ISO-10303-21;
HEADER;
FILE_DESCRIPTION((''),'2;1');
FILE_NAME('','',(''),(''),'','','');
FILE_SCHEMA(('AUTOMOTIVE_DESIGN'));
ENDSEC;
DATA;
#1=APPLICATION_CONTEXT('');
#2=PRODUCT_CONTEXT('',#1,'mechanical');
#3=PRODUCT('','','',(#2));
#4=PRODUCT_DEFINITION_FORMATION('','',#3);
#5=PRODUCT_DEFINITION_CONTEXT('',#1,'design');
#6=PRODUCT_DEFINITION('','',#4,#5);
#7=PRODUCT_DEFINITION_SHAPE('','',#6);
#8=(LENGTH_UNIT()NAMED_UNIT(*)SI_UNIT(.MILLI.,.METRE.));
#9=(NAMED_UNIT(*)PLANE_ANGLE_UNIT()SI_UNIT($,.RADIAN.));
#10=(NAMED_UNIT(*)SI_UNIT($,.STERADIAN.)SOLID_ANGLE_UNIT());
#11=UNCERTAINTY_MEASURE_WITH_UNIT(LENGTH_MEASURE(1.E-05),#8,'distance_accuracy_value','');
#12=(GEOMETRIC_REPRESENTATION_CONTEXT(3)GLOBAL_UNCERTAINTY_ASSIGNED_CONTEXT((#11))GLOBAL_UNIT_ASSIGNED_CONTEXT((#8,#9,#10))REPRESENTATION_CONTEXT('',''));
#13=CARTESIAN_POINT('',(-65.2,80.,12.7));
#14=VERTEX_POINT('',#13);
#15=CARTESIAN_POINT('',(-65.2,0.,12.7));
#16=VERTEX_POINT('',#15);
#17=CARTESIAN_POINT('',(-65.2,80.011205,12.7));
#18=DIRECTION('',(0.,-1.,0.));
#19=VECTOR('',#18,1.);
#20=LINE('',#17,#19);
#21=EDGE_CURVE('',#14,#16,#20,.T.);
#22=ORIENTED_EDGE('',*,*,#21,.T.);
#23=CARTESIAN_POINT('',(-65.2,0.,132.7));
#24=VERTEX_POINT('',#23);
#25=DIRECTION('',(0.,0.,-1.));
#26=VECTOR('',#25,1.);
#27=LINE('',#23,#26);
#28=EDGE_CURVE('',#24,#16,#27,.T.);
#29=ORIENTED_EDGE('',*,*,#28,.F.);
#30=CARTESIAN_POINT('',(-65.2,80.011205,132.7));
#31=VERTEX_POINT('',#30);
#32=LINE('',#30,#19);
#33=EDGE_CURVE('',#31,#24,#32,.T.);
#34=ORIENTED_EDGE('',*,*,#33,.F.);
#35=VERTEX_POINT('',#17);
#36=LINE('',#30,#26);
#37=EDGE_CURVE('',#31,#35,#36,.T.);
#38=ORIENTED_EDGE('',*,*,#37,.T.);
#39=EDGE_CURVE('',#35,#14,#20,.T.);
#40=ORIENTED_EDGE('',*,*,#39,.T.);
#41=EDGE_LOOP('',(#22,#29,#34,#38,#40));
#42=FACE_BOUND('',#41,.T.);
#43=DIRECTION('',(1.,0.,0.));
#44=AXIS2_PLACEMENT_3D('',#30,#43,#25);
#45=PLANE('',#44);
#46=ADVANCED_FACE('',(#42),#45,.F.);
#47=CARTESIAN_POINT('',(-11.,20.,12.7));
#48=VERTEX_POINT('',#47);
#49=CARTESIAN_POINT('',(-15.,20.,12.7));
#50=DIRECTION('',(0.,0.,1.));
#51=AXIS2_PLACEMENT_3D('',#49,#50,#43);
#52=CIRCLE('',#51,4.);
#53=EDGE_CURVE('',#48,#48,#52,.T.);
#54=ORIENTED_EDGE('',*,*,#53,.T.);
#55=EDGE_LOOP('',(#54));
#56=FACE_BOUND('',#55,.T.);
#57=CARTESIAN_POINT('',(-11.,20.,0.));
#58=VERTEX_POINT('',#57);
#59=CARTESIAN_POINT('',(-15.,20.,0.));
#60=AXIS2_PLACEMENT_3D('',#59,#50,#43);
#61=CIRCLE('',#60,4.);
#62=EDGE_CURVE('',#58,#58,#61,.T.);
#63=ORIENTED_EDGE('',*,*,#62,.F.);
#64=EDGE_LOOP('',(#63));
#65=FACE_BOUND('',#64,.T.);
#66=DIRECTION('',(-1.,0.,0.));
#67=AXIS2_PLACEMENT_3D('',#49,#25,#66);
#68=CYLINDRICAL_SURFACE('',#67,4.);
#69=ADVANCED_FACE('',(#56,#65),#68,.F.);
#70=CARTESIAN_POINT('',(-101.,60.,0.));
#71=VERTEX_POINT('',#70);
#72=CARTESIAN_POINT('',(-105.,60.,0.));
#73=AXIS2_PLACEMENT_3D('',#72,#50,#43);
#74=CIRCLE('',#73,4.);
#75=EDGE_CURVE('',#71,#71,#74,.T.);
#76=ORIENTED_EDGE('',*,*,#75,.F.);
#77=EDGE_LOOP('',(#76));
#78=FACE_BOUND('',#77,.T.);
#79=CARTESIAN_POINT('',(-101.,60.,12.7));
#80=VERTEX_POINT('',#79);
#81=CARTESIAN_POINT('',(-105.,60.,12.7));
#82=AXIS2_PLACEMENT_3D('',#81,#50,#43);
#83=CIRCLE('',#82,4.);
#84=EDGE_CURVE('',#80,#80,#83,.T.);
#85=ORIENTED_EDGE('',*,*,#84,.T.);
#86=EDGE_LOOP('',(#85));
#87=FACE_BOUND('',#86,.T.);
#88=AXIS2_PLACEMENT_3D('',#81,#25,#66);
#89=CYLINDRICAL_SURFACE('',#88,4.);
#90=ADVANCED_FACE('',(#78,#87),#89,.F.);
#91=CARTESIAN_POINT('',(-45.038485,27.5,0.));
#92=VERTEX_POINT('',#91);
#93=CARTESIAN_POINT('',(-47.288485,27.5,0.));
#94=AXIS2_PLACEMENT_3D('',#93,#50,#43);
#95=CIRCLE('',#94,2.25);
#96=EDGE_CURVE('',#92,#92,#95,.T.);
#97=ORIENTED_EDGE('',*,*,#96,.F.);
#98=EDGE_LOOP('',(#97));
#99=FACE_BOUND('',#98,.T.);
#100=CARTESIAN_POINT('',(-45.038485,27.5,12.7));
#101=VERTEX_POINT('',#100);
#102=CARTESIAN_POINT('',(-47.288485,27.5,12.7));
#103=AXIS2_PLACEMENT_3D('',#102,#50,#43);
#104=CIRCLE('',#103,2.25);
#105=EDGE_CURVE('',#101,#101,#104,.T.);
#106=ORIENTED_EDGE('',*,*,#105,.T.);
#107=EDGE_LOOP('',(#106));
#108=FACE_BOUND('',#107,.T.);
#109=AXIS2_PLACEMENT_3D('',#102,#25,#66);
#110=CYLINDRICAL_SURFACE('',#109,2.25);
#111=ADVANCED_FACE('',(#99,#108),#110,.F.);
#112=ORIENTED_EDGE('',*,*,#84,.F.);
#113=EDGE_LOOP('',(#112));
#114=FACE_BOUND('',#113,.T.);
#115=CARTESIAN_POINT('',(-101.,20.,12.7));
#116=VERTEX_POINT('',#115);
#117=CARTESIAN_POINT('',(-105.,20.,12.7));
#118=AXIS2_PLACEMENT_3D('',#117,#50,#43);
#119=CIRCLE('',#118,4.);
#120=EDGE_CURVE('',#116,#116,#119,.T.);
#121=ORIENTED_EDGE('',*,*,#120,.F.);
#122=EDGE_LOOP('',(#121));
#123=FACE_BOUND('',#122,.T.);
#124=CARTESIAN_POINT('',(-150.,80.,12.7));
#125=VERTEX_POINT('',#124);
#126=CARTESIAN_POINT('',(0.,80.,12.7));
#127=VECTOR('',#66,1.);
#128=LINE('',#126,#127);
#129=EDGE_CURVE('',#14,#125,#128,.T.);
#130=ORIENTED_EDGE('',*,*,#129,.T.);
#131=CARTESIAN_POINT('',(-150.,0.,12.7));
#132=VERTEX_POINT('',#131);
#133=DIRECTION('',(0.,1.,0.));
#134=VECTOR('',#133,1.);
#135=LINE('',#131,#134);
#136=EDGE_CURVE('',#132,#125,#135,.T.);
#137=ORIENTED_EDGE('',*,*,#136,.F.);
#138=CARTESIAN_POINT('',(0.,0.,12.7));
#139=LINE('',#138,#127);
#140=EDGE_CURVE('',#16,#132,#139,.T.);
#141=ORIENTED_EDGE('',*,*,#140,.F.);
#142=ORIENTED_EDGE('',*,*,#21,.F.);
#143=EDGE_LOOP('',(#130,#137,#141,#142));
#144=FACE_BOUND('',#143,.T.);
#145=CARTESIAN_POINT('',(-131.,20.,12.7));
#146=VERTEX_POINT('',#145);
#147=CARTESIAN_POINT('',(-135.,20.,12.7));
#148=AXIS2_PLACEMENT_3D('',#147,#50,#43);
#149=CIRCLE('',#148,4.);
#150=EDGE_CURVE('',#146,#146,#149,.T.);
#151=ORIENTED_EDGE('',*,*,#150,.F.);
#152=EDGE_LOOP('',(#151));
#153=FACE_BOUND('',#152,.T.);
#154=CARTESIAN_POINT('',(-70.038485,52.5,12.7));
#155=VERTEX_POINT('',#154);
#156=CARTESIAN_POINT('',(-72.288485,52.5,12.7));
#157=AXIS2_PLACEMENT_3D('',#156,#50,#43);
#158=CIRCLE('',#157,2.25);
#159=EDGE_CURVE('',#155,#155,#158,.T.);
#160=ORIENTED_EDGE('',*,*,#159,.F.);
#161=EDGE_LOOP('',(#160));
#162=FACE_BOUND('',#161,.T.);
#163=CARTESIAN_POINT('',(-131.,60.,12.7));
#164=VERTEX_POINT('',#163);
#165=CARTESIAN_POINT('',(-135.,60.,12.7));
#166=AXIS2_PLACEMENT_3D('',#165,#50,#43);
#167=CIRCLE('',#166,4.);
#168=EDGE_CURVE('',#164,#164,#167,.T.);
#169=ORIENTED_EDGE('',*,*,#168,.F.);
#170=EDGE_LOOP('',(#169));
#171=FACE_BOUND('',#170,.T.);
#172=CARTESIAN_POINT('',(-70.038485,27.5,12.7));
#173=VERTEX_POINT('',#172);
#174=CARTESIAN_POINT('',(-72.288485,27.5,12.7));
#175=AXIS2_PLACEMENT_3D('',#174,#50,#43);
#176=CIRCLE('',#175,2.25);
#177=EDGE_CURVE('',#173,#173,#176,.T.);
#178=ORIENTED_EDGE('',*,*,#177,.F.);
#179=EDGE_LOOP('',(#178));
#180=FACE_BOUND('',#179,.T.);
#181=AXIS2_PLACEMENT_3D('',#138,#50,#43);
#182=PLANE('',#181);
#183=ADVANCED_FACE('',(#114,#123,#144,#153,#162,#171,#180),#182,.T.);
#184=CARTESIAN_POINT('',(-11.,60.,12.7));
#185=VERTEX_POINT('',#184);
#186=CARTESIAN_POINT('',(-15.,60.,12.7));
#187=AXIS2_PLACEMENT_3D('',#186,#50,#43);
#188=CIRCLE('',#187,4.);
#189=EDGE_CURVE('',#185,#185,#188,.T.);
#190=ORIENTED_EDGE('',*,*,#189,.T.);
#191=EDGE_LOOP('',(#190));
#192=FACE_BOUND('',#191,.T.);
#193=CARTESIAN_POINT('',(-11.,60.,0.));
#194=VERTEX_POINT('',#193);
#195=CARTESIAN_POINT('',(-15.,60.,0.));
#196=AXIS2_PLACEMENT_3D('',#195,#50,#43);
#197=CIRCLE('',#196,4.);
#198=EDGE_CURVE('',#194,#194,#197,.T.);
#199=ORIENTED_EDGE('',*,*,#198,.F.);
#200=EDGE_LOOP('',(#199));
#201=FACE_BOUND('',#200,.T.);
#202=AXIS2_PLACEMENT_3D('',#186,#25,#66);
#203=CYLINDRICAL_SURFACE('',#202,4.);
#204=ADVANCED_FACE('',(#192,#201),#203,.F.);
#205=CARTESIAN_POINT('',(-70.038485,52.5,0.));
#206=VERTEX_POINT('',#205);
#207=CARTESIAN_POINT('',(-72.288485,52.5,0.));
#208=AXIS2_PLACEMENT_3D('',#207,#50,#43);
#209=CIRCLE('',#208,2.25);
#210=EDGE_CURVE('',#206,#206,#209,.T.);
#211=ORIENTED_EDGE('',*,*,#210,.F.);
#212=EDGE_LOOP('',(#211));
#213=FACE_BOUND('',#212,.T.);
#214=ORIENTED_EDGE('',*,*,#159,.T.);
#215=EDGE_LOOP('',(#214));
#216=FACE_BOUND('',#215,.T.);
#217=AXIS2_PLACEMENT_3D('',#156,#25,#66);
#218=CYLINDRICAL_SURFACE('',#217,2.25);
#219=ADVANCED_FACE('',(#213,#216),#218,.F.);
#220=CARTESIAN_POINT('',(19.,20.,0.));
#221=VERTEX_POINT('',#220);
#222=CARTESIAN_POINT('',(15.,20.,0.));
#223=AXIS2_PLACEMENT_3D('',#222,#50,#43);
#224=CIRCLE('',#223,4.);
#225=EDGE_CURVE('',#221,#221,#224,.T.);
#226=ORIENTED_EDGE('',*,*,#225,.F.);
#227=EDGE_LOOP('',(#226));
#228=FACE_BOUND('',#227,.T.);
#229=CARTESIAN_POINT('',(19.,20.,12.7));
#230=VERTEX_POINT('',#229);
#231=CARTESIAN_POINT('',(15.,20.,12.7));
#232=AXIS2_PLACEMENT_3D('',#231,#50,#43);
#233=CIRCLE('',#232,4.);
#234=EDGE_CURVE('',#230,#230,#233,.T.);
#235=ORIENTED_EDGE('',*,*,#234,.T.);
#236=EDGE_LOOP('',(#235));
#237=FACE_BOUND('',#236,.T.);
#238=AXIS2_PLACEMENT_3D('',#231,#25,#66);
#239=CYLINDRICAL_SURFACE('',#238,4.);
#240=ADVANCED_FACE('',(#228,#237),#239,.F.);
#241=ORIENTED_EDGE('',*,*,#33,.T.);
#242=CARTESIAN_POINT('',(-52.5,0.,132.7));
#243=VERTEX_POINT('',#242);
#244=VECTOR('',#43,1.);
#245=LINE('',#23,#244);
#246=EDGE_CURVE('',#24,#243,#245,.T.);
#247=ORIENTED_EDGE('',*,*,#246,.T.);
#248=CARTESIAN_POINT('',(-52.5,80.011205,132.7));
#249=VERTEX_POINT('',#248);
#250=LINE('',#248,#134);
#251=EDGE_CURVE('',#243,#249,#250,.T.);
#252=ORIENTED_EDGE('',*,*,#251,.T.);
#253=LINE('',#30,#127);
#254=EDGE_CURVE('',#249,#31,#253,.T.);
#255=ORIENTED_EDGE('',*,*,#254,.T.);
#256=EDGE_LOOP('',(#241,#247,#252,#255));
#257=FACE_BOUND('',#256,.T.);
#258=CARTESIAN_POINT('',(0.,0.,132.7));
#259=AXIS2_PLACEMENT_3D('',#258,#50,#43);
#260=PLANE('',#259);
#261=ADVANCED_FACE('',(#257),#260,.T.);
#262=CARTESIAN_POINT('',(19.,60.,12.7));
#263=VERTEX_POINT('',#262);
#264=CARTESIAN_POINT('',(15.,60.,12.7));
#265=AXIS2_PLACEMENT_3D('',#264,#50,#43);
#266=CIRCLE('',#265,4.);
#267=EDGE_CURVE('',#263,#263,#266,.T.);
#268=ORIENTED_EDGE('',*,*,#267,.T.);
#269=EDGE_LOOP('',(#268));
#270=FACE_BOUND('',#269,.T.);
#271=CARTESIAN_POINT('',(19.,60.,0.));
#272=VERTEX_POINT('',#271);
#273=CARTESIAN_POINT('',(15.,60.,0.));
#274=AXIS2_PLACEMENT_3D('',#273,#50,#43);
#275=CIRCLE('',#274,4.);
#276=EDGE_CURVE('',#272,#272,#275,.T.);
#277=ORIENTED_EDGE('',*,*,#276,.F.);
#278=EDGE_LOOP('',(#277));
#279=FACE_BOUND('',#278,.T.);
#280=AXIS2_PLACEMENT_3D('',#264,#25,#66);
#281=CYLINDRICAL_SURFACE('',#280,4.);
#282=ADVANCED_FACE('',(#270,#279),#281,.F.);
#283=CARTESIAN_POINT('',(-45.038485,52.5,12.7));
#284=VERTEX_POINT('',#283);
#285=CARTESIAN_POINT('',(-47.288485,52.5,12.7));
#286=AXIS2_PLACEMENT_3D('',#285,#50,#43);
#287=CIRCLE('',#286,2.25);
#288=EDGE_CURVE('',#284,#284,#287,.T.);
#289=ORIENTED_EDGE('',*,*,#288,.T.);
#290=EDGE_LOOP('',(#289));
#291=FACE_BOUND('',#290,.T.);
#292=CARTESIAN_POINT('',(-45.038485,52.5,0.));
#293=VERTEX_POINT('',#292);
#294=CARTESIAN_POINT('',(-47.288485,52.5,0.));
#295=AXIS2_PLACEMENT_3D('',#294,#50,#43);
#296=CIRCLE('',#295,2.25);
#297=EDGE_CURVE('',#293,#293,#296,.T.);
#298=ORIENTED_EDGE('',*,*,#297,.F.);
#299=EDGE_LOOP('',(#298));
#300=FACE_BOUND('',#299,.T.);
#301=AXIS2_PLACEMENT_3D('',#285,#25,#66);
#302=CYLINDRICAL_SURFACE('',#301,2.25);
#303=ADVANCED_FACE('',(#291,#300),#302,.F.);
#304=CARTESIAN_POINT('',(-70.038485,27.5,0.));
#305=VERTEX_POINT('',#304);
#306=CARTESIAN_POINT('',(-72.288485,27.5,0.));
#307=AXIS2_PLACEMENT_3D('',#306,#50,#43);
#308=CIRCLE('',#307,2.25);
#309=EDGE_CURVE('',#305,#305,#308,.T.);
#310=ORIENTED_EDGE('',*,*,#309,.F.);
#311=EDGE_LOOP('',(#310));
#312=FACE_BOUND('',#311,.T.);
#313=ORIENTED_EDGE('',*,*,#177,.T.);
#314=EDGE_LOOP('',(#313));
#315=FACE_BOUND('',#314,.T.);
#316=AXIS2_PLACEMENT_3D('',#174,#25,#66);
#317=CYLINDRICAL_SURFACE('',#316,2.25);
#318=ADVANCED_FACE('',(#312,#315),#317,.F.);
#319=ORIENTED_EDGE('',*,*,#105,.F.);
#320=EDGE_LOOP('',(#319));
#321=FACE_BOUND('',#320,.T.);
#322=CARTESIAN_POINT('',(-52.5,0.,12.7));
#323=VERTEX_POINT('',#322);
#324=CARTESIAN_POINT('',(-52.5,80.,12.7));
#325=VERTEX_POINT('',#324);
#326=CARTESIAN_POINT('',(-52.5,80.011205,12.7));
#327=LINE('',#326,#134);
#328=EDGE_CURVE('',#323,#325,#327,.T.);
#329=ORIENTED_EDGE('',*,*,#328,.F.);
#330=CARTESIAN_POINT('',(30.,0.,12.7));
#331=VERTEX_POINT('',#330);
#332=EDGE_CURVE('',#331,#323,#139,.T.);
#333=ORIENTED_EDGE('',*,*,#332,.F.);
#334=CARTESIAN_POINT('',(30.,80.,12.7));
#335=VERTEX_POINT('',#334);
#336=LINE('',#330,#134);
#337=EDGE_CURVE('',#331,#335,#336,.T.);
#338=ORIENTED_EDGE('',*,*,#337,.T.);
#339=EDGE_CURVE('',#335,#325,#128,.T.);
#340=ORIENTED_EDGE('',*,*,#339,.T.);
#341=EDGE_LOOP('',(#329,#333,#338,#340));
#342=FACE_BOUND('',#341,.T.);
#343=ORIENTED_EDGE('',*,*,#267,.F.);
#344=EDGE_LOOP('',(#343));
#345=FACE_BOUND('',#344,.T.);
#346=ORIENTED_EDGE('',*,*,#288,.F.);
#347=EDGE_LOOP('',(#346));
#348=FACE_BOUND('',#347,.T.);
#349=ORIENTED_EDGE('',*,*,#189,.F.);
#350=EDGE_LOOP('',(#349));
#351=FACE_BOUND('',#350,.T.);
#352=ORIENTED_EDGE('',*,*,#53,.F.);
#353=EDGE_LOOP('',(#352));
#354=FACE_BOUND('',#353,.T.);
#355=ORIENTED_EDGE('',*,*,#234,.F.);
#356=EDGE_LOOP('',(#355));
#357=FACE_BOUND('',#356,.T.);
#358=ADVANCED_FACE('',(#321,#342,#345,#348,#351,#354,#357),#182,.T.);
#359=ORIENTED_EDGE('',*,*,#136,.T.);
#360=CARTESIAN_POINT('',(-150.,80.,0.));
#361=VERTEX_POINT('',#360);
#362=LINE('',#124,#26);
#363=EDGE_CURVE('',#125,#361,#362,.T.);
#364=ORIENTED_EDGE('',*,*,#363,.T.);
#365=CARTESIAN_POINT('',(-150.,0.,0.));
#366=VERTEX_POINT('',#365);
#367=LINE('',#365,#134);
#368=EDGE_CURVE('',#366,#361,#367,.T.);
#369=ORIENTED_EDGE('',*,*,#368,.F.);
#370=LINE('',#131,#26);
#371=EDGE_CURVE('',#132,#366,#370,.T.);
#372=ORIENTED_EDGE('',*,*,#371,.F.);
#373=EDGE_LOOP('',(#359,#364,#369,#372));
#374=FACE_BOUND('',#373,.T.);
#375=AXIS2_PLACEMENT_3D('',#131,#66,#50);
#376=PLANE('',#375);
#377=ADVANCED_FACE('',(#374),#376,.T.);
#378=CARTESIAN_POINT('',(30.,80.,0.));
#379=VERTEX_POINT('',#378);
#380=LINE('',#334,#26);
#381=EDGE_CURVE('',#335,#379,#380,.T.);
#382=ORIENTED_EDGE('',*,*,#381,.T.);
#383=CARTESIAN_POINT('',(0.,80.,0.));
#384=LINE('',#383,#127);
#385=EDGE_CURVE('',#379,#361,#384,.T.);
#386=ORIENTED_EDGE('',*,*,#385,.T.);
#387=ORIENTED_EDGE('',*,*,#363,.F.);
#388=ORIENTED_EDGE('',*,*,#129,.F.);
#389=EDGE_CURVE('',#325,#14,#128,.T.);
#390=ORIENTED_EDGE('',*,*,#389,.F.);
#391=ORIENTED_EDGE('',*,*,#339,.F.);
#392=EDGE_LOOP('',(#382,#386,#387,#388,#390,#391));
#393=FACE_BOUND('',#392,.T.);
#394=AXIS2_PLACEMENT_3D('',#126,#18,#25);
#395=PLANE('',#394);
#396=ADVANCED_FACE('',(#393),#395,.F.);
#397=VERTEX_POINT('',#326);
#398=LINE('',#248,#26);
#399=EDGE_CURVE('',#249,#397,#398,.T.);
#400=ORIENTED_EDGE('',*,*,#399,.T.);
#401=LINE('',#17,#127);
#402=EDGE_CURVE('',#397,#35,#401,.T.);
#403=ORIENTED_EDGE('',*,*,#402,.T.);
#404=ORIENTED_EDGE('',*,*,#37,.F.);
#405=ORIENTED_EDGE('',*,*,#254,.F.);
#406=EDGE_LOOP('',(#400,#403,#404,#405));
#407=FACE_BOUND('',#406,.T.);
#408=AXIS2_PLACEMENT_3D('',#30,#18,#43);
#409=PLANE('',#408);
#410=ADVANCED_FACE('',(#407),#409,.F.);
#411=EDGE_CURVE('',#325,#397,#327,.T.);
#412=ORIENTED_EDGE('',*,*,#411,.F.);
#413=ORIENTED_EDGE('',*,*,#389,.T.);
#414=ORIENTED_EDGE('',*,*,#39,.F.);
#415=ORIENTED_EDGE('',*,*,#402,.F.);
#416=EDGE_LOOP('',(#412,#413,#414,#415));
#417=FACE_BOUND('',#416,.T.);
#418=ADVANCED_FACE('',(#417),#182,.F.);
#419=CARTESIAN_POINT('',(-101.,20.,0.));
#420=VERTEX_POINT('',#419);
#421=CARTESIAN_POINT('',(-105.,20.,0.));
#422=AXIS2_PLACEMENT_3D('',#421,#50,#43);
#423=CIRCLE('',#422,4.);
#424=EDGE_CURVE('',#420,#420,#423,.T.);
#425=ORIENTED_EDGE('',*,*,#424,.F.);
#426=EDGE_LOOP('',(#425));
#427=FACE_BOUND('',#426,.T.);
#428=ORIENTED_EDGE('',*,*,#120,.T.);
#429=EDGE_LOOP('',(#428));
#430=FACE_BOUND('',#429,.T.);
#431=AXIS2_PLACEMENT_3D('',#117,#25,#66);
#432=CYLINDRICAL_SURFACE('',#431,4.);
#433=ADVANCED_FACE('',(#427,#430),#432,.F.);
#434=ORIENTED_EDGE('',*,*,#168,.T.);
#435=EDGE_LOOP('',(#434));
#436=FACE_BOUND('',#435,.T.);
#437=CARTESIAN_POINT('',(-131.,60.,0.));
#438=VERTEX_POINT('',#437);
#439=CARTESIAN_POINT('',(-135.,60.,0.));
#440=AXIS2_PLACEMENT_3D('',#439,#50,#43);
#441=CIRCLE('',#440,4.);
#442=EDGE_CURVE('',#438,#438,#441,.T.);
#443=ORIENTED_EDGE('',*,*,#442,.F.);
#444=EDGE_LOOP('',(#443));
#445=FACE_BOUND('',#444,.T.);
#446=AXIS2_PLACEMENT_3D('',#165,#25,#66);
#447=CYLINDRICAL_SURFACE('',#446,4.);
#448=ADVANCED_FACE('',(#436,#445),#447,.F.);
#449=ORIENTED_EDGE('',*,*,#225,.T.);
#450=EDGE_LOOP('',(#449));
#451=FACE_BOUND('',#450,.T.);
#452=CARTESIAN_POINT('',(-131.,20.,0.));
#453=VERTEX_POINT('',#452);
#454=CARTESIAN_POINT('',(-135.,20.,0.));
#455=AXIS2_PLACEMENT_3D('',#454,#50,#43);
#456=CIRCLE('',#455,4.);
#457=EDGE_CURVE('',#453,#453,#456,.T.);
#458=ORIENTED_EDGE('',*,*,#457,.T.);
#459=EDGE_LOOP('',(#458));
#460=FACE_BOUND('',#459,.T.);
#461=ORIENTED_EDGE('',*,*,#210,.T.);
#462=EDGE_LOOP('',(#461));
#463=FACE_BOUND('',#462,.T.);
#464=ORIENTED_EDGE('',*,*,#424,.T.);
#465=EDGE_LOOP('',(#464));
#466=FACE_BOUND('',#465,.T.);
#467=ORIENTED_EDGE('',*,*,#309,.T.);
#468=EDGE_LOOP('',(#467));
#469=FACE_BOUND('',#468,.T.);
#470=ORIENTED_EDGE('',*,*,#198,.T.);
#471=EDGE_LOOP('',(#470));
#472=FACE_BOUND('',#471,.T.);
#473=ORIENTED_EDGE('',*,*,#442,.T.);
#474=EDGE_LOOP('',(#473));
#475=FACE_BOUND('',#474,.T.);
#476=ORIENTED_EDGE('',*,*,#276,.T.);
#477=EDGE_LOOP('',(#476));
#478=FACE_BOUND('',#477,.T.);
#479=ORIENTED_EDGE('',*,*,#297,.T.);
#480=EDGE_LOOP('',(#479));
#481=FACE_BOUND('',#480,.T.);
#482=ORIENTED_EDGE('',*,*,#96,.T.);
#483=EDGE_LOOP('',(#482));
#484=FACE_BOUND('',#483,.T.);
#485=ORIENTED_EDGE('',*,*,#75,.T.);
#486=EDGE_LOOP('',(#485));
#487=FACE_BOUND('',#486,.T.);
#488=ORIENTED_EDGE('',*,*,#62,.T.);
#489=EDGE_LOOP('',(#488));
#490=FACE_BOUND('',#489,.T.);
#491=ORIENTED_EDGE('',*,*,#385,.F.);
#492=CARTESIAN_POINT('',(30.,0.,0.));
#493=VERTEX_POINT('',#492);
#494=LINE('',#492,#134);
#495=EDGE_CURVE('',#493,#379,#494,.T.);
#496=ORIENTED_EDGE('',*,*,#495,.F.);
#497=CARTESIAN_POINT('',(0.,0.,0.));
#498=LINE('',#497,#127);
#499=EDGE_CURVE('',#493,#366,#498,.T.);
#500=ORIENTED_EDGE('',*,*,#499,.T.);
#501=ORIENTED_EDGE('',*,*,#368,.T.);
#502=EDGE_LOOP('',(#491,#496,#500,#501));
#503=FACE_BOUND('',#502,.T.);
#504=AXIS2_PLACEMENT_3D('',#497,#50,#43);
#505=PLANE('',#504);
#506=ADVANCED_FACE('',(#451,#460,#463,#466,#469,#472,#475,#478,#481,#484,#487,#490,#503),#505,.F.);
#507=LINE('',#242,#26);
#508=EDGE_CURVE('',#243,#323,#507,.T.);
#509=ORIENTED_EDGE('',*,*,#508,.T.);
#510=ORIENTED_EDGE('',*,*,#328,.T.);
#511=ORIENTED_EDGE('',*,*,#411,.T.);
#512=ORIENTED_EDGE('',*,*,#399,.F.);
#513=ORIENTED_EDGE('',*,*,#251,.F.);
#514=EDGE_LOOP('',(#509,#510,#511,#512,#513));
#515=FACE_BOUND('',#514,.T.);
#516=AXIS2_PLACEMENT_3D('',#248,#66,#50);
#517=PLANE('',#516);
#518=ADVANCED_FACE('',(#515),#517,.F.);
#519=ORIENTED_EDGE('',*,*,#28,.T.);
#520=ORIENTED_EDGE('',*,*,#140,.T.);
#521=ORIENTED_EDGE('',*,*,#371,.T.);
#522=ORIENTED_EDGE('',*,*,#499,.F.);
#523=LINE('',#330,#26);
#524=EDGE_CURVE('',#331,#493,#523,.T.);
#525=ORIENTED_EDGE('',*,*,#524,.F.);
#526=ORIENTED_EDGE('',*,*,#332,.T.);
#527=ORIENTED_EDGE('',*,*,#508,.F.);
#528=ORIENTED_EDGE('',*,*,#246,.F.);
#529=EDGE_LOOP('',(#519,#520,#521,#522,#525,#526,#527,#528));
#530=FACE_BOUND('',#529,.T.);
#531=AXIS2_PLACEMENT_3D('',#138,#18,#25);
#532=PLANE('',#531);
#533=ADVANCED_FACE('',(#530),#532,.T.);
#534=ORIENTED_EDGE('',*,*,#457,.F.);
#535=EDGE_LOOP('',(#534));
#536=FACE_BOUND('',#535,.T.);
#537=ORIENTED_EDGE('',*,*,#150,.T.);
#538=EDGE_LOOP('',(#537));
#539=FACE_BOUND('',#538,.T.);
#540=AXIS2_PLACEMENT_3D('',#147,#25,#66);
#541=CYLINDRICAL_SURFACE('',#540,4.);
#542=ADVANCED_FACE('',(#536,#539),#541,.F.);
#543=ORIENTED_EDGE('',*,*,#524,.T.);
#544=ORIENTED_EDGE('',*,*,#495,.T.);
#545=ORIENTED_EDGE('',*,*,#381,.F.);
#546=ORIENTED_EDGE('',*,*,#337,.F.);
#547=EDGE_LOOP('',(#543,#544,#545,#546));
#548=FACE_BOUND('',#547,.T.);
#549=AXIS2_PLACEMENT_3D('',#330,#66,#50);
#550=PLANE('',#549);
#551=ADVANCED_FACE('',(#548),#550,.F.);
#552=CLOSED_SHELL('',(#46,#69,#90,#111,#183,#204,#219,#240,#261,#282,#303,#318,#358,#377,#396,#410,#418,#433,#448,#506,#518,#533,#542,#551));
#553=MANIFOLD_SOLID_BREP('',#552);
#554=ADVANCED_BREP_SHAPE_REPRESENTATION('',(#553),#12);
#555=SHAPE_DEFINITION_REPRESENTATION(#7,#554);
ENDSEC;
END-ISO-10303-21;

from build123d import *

# Parameters (mm, degrees)
CROQUIS1_W              = 180
CROQUIS1_H              = 80
CROQUIS1_R              = 4
CROQUIS1_R_2            = 2.25
SALIENTE_EXTRUIR1_DEPTH = 12.7
CROQUIS2_W              = 12.7
CROQUIS2_H              = 80.011204884
SALIENTE_EXTRUIR2_DEPTH = 120


with BuildPart() as part:
    # Croquis1 → Saliente-Extruir1 (new body)
    with BuildSketch(Plane.XY):
        with Locations((-60, 40)):
            Rectangle(CROQUIS1_W, CROQUIS1_H)
        with Locations((15, 20)):
            Circle(CROQUIS1_R, mode=Mode.SUBTRACT)
        with Locations((-15, 20)):
            Circle(CROQUIS1_R, mode=Mode.SUBTRACT)
        with Locations((15, 60)):
            Circle(CROQUIS1_R, mode=Mode.SUBTRACT)
        with Locations((-15, 60)):
            Circle(CROQUIS1_R, mode=Mode.SUBTRACT)
        with Locations((-105, 20)):
            Circle(CROQUIS1_R, mode=Mode.SUBTRACT)
        with Locations((-135, 20)):
            Circle(CROQUIS1_R, mode=Mode.SUBTRACT)
        with Locations((-135, 60)):
            Circle(CROQUIS1_R, mode=Mode.SUBTRACT)
        with Locations((-105, 60)):
            Circle(CROQUIS1_R, mode=Mode.SUBTRACT)
        with Locations((-72.288485416, 27.5)):
            Circle(CROQUIS1_R_2, mode=Mode.SUBTRACT)
        with Locations((-72.288485416, 52.5)):
            Circle(CROQUIS1_R_2, mode=Mode.SUBTRACT)
        with Locations((-47.288485416, 52.5)):
            Circle(CROQUIS1_R_2, mode=Mode.SUBTRACT)
        with Locations((-47.288485416, 27.5)):
            Circle(CROQUIS1_R_2, mode=Mode.SUBTRACT)
    extrude(amount=SALIENTE_EXTRUIR1_DEPTH)

    # Croquis2 → Saliente-Extruir2 (add)
    with BuildSketch(Plane.XY.offset(12.7)):
        with Locations((-58.85, 40.005602442)):
            Rectangle(CROQUIS2_W, CROQUIS2_H)
    extrude(amount=SALIENTE_EXTRUIR2_DEPTH)


solid = part.part
